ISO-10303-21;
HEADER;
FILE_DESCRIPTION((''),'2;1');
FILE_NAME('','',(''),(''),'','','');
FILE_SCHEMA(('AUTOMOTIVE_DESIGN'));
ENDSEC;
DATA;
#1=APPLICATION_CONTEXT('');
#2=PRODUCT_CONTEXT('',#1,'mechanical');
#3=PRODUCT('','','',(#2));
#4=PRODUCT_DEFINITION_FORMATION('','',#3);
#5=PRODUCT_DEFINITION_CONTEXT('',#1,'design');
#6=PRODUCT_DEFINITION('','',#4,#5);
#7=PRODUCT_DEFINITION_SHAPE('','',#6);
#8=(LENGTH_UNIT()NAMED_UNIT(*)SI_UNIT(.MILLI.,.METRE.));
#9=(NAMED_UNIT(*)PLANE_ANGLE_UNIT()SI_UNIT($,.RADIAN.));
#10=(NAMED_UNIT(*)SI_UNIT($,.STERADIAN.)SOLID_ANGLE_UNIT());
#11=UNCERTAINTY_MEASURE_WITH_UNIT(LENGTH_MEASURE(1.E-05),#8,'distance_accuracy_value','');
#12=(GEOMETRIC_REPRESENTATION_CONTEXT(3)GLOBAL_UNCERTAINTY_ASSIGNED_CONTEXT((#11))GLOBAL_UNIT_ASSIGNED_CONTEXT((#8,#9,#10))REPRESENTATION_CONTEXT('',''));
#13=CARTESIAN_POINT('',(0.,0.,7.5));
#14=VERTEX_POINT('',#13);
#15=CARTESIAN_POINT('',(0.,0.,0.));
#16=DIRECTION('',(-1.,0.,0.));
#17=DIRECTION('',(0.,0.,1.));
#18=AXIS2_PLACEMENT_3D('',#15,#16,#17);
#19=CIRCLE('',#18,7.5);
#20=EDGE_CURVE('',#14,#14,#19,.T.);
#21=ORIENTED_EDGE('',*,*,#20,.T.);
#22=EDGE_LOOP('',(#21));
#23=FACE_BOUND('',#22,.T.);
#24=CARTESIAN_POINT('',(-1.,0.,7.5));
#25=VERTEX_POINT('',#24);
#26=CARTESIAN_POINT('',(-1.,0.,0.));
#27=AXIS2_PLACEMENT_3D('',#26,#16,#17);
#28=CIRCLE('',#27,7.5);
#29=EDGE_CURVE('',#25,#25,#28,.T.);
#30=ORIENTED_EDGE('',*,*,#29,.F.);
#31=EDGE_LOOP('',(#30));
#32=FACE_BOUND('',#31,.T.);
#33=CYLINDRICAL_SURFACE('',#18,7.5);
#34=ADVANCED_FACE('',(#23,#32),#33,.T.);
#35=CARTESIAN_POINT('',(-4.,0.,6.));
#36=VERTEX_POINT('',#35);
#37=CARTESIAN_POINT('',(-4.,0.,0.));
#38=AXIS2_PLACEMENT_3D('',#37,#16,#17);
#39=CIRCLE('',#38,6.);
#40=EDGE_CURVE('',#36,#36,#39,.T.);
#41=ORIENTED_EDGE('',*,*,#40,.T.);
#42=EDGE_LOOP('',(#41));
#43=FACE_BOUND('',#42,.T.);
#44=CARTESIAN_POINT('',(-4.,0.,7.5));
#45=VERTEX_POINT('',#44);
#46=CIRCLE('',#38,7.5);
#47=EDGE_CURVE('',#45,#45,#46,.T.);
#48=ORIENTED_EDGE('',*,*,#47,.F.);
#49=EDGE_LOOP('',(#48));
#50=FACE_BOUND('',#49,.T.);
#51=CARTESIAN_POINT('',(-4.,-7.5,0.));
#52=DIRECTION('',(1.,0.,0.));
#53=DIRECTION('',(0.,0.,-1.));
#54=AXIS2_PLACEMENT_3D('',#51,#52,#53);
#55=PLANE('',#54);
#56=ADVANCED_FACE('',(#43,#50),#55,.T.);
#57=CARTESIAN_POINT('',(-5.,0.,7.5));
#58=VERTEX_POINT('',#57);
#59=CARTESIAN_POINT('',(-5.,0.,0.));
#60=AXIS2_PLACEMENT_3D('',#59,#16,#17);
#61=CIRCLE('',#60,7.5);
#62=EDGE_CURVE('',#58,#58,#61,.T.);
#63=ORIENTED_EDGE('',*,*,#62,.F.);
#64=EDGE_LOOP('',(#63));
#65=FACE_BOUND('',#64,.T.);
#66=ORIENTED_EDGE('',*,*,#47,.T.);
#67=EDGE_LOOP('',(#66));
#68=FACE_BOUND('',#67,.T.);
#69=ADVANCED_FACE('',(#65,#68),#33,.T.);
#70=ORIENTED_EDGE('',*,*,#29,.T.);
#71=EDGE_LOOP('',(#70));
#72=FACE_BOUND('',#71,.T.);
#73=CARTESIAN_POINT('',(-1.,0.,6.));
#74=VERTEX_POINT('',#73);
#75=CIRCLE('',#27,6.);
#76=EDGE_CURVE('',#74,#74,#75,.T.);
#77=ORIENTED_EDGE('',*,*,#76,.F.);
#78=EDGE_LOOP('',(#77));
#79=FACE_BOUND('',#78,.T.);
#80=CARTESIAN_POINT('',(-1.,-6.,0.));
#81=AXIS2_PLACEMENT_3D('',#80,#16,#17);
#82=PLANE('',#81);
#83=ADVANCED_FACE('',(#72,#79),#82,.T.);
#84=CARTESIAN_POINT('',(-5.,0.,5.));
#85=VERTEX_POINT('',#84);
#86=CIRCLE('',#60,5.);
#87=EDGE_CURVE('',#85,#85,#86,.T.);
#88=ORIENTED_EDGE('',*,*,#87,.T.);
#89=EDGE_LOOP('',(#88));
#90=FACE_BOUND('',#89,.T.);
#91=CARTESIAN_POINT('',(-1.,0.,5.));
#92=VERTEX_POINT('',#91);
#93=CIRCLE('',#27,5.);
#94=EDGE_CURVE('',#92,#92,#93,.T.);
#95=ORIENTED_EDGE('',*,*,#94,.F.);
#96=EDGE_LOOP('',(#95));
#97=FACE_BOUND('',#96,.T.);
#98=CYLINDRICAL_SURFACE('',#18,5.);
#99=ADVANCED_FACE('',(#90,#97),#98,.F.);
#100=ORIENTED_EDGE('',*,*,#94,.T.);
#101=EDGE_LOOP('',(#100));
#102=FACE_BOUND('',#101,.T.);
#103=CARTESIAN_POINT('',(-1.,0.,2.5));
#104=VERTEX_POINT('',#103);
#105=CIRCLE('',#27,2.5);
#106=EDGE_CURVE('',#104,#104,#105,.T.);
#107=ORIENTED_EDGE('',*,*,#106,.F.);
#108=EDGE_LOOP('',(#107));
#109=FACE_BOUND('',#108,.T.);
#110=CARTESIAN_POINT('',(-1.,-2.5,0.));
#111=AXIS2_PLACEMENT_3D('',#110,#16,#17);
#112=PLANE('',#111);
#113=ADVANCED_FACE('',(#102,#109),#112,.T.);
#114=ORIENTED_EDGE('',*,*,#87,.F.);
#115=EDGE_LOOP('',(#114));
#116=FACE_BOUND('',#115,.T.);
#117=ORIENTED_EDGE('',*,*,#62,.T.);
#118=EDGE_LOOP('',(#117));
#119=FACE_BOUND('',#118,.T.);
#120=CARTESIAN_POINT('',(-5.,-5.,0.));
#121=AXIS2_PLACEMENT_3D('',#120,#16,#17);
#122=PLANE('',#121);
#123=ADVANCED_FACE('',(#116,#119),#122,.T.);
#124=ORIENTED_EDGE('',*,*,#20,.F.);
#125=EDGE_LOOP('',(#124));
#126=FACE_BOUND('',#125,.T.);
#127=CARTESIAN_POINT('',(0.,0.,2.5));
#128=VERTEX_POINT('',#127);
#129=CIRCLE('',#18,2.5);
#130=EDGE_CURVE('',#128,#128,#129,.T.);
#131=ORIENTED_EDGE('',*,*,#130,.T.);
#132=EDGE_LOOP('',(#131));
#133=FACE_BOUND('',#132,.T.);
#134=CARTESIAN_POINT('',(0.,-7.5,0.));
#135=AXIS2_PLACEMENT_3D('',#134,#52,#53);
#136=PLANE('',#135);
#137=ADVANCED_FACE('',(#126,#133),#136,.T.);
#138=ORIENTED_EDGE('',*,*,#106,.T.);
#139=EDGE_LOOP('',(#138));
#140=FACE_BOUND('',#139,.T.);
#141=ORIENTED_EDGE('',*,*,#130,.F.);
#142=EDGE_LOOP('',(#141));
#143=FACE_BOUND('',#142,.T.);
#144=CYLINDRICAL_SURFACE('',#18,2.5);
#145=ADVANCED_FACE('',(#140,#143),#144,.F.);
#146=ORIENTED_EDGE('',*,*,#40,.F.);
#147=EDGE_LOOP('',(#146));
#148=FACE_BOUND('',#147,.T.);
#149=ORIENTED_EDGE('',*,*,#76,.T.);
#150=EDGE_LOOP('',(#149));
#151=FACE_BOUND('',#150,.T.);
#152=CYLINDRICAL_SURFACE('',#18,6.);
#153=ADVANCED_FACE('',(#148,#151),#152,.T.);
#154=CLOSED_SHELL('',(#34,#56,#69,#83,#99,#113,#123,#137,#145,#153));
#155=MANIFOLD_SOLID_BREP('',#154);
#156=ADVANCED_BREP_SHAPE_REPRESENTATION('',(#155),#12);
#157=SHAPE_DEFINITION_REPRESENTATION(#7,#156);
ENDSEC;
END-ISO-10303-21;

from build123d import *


with BuildPart() as part:
    # Esquisse1 → Révolution1 (revolve)
    with BuildSketch(Plane.XY, mode=Mode.PRIVATE) as r_volution1_sk:
        Polygon((-4, -7.5), (-4, -6), (-1, -6), (-1, -7.5), (0, -7.5), (0, -2.5), (-1, -2.5), (-1, -5), (-5, -5), (-5, -7.5), align=None)
    revolve(r_volution1_sk.sketch.rotate(Axis((0, 0, 0), (1, 0, 0)), 270), axis=Axis((0, 0, 0), (1, 0, 0)))


solid = part.part
